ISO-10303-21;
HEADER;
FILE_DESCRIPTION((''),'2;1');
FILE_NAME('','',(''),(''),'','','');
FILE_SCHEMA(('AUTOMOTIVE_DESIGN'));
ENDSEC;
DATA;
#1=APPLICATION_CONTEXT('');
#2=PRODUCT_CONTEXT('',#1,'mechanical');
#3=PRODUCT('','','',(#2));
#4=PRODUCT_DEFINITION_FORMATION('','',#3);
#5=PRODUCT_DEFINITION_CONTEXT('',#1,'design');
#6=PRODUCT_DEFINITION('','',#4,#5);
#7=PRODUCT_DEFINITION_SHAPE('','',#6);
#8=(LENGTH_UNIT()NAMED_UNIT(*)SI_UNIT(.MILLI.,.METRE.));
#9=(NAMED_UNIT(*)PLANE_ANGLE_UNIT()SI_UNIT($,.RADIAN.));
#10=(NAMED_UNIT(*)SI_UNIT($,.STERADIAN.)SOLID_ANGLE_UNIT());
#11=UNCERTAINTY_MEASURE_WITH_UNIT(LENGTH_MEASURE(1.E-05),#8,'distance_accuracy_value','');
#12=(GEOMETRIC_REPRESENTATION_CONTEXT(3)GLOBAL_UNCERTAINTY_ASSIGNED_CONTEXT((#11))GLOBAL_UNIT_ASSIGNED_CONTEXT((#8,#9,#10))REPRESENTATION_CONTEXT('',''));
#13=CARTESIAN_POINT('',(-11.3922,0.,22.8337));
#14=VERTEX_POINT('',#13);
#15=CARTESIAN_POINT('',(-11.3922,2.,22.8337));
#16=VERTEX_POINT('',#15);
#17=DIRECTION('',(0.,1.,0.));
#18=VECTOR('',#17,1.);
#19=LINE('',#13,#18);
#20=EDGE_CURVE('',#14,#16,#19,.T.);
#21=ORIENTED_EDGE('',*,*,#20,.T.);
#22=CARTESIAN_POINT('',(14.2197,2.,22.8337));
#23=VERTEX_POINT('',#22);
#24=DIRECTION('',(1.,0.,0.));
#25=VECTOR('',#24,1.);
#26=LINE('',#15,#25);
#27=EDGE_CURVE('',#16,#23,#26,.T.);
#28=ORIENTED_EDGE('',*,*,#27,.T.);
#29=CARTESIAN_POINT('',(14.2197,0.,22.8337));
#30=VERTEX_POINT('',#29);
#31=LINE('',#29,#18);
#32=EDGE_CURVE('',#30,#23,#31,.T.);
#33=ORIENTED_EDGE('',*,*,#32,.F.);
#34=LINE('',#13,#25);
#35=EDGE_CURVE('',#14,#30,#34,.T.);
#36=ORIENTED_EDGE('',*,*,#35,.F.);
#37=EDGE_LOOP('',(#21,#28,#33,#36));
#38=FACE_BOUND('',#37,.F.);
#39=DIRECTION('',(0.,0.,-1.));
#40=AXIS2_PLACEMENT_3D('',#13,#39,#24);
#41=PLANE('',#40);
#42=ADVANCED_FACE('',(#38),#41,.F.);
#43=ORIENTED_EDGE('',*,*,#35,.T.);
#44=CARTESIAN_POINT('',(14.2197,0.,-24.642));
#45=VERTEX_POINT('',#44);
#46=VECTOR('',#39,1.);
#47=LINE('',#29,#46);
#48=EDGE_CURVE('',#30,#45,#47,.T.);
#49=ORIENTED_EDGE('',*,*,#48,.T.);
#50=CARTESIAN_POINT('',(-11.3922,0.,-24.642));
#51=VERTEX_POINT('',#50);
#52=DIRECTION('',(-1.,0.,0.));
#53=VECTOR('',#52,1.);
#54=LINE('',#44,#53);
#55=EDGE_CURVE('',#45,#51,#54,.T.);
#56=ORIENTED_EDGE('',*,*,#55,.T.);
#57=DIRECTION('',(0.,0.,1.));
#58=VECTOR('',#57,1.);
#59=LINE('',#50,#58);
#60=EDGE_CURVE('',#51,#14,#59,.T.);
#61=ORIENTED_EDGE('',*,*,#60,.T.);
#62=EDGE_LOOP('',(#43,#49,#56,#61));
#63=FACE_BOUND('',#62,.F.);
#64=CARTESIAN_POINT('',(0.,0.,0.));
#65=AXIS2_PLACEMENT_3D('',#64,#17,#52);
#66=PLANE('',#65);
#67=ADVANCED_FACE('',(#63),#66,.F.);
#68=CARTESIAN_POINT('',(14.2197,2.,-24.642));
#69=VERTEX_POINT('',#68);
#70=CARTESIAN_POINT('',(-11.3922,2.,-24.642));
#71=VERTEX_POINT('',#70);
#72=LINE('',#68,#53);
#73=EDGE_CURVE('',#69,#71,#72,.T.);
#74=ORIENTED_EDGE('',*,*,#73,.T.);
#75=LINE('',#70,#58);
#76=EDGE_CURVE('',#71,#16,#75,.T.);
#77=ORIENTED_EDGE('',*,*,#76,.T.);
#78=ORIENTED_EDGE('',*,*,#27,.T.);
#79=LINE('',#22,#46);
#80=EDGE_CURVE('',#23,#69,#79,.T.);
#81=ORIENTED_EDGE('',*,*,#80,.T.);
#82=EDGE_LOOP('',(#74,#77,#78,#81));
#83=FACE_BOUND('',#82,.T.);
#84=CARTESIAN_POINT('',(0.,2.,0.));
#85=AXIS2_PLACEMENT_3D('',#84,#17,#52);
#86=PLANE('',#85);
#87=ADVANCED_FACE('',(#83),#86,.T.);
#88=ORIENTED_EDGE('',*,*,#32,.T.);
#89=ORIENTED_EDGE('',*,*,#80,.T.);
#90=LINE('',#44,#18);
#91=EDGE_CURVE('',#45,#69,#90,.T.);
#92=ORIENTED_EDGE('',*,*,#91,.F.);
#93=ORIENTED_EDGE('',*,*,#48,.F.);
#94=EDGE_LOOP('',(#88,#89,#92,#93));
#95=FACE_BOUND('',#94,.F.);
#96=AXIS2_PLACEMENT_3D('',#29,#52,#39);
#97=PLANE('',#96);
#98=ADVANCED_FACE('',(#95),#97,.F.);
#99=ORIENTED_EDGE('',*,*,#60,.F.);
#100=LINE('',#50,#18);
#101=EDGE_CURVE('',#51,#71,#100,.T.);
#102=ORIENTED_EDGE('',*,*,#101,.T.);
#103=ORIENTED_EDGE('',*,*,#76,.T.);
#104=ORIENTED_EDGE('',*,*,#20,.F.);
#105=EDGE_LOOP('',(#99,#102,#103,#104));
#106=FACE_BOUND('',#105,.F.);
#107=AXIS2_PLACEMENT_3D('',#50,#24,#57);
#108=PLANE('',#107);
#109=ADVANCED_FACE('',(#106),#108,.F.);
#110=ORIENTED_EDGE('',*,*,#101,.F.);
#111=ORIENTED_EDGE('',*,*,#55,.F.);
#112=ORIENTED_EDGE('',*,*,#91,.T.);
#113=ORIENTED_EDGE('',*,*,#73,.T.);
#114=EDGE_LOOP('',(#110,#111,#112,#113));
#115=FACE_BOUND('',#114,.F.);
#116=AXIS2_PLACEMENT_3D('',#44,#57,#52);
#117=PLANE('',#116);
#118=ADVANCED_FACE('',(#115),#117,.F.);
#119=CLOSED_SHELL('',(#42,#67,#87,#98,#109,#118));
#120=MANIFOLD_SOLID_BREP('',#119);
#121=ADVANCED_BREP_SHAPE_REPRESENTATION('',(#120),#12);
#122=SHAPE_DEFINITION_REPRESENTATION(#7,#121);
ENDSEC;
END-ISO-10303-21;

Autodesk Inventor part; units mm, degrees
ref_plane "YZ Plane" through (0, 0, 0) normal (1, 0, 0) x (0, 1, 0)
ref_plane "XZ Plane" through (0, 0, 0) normal (0, 1, 0) x (-1, 0, 0)
ref_plane "XY Plane" through (0, 0, 0) normal (0, 0, 1) x (1, 0, 0)
sketch "Schizzo1" plane through (0, 0, 0) normal (0, 1, 0) x (-1, 0, 0)
  line L0 (11.3922, 22.8337) -> (-14.2197, 22.8337)
  line L1 (-14.2197, 22.8337) -> (-14.2197, -24.642)
  line L2 (-14.2197, -24.642) -> (11.3922, -24.642)
  line L3 (11.3922, -24.642) -> (11.3922, 22.8337)
  point P0 (0, 0)
extrude "Estrusione1" add sketch "Schizzo1" along normal blind 2
equation "\"RaggioPiega\" = Spessore"
equation "\"LarghezzaScaricoPiega\" = Spessore"
equation "\"ProfonditàScaricoPiega\" = 0.5 * Spessore"
equation "\"DimensioniScaricoAngolo\" = 4 * Spessore"
equation "\"ResiduoMinimo\" = 2 * Spessore"
equation "\"RaggioTransizione\" = RaggioPiega"
equation "\"Dimensione_raggio_Jacobi\" = RaggioPiega"
equation "\"DimensioneGioco\" = Spessore"
equation "\"Spessore\" = 0.5"
properties part number "test"
